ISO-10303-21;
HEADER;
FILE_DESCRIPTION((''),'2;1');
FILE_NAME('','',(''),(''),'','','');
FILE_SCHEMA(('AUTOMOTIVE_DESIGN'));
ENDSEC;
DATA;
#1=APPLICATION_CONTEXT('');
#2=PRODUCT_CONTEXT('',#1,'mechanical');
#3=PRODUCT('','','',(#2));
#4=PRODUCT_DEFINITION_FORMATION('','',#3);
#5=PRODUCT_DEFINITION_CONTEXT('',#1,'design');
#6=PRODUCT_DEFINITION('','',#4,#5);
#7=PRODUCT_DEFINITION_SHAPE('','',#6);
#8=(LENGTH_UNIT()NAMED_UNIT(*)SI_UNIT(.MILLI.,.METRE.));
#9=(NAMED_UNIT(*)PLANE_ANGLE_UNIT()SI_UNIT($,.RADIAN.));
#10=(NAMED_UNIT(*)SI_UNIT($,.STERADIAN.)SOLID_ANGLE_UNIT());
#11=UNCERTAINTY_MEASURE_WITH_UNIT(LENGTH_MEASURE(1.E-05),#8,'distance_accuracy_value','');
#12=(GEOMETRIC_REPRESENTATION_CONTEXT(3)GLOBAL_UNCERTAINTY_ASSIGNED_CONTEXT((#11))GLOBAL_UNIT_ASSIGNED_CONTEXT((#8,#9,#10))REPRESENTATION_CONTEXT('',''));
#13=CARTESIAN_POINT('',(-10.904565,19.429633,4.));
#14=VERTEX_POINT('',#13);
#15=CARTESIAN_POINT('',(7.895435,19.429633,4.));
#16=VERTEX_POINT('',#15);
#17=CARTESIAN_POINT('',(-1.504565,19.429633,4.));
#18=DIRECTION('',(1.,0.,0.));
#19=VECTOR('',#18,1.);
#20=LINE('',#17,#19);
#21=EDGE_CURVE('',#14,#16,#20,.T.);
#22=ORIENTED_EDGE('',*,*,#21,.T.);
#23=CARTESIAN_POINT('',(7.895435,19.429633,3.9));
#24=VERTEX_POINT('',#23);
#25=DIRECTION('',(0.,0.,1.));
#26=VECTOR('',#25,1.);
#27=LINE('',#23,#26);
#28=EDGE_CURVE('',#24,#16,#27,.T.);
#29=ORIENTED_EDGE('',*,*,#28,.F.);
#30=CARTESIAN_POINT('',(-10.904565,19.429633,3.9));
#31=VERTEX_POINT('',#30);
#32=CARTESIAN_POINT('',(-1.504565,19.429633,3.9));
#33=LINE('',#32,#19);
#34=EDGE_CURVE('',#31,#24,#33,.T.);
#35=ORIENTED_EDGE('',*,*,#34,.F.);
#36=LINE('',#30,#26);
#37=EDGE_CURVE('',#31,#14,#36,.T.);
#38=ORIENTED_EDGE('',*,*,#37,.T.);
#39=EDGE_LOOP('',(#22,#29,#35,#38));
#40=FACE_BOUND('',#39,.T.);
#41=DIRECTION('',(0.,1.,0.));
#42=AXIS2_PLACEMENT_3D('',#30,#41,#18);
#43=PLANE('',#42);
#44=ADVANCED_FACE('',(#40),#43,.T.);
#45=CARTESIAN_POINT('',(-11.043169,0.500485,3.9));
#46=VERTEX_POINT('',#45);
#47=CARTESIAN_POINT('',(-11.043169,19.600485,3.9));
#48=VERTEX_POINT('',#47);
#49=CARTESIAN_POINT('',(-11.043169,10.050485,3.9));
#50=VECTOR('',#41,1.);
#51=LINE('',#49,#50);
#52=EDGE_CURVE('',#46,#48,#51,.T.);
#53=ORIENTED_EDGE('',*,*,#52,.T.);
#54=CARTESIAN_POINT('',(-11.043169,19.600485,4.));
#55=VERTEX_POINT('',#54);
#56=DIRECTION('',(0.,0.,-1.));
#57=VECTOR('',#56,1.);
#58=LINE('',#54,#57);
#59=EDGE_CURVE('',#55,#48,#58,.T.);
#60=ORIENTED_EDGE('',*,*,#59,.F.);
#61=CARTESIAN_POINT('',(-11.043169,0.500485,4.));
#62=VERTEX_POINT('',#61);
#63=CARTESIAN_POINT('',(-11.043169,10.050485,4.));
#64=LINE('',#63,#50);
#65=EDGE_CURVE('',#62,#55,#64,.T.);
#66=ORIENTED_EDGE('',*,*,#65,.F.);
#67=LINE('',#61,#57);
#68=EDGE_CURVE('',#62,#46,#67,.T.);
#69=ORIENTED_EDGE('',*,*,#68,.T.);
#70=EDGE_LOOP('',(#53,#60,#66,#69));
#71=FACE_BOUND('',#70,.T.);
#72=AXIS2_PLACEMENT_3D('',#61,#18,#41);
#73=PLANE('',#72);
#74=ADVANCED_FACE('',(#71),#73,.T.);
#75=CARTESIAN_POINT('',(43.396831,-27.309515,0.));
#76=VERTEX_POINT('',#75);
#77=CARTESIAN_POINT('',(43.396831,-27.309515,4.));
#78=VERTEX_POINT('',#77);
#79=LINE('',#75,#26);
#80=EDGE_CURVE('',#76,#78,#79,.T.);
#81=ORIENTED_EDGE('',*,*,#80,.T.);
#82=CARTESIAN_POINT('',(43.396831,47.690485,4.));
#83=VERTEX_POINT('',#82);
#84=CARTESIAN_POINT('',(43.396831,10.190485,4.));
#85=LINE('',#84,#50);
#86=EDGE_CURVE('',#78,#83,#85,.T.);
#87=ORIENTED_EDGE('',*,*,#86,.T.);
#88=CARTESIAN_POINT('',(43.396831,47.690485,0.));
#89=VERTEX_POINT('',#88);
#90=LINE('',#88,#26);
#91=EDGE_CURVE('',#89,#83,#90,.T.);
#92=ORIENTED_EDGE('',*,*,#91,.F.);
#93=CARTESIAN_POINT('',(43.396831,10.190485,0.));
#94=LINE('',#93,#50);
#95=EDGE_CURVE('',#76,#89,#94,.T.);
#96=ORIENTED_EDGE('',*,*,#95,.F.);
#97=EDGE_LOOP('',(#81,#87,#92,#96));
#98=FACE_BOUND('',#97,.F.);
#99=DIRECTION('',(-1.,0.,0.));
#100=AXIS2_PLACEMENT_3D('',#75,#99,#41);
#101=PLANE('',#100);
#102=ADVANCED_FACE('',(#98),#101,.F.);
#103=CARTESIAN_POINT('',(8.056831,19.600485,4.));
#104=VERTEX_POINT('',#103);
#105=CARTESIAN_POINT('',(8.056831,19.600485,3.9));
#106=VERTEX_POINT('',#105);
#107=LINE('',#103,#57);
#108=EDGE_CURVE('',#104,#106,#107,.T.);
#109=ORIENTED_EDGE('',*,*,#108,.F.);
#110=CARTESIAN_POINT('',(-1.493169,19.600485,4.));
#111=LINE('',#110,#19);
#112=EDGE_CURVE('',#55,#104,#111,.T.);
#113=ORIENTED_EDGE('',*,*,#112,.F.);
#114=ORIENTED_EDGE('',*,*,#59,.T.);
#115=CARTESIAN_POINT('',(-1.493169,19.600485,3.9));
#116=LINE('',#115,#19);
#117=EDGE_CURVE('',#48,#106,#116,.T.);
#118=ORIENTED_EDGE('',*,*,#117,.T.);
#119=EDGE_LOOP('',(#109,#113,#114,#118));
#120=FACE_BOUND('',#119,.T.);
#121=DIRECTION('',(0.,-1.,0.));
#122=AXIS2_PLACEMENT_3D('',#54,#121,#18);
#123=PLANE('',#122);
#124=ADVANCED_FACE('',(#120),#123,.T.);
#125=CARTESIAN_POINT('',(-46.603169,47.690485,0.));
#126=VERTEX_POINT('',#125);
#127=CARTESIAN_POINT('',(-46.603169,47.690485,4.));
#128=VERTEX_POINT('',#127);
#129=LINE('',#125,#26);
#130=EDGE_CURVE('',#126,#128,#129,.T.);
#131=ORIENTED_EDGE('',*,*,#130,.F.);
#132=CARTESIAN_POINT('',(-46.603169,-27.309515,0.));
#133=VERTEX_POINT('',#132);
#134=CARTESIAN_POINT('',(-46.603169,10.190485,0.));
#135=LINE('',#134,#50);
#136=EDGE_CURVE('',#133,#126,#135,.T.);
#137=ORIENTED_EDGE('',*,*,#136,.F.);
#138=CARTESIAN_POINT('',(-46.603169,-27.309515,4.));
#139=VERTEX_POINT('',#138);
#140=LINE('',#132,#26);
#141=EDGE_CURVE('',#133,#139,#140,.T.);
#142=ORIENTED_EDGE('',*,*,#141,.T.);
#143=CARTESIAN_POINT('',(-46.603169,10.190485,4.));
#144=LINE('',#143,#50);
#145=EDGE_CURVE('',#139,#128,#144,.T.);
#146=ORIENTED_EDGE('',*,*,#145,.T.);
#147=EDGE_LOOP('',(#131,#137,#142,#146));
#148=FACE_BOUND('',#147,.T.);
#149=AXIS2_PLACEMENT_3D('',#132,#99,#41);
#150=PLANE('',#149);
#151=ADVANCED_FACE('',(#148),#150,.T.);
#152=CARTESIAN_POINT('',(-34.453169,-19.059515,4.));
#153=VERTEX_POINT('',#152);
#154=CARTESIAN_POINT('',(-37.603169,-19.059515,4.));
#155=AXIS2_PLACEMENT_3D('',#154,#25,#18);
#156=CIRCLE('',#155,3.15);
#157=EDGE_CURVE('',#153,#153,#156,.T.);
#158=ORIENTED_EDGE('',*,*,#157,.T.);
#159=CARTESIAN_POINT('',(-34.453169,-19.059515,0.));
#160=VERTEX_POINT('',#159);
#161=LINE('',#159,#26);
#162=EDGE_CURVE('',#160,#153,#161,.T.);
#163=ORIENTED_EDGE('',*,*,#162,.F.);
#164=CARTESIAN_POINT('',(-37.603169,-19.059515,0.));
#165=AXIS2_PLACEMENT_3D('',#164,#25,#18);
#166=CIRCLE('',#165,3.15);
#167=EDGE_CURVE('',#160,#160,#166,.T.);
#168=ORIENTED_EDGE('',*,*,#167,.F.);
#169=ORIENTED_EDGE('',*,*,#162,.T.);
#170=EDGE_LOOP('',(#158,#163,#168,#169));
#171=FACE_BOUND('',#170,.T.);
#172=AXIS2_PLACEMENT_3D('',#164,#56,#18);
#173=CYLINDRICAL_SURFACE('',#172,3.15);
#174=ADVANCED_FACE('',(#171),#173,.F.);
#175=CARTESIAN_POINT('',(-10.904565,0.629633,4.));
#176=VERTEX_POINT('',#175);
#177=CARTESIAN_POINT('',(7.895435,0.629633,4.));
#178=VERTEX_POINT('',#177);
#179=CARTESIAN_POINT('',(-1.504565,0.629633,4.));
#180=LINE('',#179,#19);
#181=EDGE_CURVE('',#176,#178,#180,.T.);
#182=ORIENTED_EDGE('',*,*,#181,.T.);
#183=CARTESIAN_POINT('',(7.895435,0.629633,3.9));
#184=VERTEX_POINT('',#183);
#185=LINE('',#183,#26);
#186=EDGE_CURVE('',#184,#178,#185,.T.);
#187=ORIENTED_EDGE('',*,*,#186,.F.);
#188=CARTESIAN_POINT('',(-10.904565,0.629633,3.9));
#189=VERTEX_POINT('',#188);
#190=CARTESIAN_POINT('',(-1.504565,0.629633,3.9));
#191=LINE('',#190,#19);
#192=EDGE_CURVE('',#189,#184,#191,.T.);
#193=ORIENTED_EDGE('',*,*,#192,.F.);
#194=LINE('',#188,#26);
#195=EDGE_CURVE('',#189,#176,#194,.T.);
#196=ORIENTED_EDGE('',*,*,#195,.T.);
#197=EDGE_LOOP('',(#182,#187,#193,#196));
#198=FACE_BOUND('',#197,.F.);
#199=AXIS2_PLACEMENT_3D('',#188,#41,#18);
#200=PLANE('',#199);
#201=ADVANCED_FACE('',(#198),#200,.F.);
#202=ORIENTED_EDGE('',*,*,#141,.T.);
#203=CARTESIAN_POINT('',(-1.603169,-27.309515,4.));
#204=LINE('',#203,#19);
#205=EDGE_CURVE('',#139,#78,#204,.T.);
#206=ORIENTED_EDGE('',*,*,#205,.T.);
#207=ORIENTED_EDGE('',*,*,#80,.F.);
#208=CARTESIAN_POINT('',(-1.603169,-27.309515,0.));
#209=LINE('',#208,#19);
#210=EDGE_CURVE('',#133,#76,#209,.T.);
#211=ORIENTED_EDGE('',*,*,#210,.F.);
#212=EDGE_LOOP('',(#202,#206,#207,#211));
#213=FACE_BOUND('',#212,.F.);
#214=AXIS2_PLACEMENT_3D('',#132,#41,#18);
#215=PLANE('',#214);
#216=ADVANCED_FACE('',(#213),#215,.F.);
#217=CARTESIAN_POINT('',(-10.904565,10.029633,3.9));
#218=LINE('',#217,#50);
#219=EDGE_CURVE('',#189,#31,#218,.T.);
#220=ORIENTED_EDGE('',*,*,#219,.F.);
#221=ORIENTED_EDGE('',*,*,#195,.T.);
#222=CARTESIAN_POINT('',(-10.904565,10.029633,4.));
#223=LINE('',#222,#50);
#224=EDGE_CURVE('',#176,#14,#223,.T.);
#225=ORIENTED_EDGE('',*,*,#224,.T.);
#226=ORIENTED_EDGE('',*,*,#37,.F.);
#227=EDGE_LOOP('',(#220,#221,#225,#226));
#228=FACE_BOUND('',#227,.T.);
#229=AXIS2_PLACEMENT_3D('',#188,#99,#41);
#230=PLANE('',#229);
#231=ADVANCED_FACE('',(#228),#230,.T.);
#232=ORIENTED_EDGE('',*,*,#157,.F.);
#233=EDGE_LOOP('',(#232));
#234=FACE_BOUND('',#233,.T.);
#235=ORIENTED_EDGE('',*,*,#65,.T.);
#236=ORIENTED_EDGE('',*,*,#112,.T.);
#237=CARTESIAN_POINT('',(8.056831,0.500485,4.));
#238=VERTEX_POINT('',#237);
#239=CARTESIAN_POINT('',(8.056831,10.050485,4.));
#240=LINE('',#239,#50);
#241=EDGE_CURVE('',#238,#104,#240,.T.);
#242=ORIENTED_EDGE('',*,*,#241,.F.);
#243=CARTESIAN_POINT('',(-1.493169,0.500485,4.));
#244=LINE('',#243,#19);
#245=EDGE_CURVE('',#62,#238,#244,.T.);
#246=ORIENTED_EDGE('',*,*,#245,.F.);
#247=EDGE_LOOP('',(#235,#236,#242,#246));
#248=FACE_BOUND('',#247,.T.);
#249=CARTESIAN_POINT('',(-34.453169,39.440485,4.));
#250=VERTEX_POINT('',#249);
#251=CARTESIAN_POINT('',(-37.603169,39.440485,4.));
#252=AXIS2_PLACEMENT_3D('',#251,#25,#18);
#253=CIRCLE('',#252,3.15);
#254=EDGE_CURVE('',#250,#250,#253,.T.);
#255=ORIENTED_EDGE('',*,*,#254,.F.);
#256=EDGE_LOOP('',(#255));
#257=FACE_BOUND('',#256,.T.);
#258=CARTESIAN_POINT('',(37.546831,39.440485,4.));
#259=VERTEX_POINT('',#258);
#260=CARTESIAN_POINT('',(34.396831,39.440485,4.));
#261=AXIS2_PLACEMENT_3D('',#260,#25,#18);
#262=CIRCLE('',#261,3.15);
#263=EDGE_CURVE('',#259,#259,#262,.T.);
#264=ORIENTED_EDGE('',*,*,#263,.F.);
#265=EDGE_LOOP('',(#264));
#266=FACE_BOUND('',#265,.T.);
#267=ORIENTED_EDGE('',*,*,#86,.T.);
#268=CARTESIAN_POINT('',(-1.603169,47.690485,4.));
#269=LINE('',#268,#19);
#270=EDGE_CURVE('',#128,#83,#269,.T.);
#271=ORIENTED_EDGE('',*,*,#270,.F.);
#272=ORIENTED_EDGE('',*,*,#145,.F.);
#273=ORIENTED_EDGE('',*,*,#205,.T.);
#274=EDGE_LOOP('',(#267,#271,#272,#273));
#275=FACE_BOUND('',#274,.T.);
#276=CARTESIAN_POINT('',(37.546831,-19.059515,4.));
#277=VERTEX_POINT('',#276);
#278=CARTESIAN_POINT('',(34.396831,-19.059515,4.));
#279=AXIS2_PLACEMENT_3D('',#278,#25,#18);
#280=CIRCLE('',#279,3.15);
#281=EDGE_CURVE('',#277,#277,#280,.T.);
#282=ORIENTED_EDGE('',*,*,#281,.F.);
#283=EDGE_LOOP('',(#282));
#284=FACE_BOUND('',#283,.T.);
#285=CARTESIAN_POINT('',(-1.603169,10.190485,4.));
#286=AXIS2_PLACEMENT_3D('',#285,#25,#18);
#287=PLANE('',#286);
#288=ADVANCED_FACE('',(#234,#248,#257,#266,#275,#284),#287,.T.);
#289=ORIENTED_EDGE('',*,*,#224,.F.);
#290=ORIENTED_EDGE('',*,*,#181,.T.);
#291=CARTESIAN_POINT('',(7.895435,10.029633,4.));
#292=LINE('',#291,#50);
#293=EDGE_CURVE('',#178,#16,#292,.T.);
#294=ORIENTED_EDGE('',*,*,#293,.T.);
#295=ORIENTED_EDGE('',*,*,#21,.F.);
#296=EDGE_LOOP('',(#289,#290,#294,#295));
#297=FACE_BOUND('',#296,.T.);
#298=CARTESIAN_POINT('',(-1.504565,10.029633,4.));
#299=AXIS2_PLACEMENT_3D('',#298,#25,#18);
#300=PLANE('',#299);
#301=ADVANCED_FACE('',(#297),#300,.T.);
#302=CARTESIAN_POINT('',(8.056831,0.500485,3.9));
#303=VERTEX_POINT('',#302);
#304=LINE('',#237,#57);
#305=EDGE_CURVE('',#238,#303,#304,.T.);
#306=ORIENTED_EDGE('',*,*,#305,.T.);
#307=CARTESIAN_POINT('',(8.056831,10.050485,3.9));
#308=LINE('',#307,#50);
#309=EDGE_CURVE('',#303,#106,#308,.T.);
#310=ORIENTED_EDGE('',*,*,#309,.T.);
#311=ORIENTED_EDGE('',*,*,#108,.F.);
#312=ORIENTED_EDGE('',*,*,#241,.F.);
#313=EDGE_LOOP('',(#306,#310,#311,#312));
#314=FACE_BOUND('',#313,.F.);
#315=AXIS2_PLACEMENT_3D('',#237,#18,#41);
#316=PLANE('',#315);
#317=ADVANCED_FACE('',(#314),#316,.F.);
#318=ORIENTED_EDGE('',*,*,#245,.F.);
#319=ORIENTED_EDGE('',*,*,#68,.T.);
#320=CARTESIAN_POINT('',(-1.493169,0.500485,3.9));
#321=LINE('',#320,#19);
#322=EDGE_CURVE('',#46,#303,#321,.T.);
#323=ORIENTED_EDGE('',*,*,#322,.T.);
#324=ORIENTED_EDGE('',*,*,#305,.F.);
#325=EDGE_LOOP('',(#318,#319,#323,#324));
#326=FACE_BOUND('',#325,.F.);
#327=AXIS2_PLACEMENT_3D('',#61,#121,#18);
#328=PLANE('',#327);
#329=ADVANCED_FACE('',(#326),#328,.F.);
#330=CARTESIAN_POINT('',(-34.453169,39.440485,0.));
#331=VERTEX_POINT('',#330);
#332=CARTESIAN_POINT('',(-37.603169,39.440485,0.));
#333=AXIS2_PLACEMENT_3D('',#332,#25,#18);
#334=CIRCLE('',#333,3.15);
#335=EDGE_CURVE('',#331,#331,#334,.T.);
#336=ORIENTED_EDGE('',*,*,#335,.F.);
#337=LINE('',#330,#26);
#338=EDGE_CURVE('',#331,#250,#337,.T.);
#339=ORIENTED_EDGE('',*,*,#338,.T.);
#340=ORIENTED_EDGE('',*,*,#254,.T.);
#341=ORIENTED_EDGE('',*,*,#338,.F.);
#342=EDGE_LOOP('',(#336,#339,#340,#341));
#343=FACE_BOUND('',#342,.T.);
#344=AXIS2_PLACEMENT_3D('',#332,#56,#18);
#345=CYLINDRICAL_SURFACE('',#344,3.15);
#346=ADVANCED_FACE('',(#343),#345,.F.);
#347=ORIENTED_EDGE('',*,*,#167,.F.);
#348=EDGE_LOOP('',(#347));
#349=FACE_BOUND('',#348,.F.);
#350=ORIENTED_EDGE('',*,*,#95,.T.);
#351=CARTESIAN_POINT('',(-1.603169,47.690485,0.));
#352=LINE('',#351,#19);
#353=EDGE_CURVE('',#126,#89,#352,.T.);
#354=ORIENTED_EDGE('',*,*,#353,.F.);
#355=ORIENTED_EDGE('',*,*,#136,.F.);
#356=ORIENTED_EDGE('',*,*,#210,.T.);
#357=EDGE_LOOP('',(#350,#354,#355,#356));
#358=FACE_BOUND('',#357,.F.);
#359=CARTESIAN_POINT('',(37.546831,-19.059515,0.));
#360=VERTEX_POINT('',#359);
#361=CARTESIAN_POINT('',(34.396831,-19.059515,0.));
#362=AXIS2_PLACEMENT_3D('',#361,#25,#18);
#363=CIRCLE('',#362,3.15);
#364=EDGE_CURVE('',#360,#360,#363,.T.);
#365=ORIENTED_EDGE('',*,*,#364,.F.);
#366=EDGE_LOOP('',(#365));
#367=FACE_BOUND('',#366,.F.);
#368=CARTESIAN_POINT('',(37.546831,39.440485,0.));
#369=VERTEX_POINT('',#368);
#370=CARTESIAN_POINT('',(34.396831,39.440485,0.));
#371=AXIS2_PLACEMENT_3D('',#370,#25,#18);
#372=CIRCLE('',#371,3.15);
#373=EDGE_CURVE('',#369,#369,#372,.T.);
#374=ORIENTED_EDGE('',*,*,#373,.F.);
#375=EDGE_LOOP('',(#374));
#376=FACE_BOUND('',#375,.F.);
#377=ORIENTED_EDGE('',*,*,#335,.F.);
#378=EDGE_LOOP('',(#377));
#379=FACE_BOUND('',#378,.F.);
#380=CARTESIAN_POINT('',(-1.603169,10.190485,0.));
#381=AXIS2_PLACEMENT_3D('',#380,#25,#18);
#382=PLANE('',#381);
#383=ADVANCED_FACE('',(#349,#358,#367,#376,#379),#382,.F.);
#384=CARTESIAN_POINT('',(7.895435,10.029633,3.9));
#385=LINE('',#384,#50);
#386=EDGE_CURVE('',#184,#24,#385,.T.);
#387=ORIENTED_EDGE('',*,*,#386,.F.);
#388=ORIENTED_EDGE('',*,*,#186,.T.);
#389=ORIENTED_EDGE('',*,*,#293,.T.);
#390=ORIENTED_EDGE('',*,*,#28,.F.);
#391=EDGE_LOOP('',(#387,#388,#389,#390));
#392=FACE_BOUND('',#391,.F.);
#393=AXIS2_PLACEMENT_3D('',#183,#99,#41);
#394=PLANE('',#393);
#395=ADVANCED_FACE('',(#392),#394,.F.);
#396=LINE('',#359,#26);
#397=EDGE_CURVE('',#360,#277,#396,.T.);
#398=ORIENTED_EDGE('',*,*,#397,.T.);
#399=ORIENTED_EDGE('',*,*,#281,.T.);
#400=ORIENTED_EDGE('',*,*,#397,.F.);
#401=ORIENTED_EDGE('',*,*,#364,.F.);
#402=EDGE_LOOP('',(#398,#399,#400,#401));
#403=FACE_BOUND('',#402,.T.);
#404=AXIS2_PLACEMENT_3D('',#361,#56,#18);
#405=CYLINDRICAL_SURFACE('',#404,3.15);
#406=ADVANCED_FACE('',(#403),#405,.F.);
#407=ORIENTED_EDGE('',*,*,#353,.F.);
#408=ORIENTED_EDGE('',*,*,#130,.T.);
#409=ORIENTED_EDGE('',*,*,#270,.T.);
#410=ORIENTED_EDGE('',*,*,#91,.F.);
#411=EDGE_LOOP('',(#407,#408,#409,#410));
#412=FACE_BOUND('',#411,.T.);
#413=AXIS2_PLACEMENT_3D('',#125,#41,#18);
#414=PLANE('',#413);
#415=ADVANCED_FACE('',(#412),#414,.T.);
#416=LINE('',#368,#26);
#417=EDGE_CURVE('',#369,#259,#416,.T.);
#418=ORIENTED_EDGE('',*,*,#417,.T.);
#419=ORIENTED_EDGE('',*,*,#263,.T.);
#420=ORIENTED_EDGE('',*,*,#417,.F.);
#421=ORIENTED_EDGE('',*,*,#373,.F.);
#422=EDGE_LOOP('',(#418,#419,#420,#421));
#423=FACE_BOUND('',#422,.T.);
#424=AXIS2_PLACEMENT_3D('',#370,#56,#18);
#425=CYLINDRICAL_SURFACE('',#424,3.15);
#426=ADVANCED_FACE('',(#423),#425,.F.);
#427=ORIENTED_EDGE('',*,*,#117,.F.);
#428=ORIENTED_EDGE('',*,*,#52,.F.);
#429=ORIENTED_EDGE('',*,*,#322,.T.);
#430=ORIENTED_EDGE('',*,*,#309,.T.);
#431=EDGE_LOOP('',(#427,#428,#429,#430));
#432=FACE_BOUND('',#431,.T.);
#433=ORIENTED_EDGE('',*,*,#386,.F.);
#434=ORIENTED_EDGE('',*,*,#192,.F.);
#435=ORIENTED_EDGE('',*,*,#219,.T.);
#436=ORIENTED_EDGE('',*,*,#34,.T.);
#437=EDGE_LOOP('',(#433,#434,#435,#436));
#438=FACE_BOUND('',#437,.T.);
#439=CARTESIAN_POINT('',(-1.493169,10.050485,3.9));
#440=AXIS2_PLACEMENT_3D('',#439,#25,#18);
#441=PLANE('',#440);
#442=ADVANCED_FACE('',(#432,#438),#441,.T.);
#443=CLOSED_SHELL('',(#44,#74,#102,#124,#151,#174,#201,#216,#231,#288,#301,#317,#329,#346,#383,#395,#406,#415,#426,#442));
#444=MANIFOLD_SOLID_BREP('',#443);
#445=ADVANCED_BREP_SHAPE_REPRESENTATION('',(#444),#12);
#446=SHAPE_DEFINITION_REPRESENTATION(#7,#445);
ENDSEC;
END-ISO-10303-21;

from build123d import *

# Parameters (mm, degrees)
F1_W     = 90
F1_H     = 75
F1_R     = 3.15
F2_DEPTH = 4
F3_W     = 19.1
F3_H     = 19.1
F4_W     = 19
F4_H     = 19
F4_W_2   = 19.1
F4_H_2   = 19.1
F5_DEPTH = 0.1
F6_W     = 18.8
F6_H     = 18.8
F7_DEPTH = 0.1


with BuildPart() as f2:
    # F1 (on face) → F2 (new body)
    with BuildSketch(Plane.XY):
        with Locations((-1.603169, 10.190485)):
            Rectangle(F1_W, F1_H)
        with Locations((-37.603169, -19.059515)):
            Circle(F1_R, mode=Mode.SUBTRACT)
        with Locations((34.396831, -19.059515)):
            Circle(F1_R, mode=Mode.SUBTRACT)
        with Locations((-37.603169, 39.440485)):
            Circle(F1_R, mode=Mode.SUBTRACT)
        with Locations((34.396831, 39.440485)):
            Circle(F1_R, mode=Mode.SUBTRACT)
    extrude(amount=F2_DEPTH)

    # F3 (on face) + F4 (on face) → F5 (cut)
    with BuildSketch(Plane.XY.offset(4)):
        with Locations((-1.493169, 10.050485)):
            Rectangle(F3_W, F3_H)
    with BuildSketch(Plane.XY.offset(4)):
        with Locations((-1.496693, 10.04078)):
            Rectangle(F4_W, F4_H)
        with Locations((-1.493169, 10.050485)):
            Rectangle(F4_W_2, F4_H_2)
        with Locations((-1.496693, 10.04078)):
            Rectangle(F4_W, F4_H, mode=Mode.SUBTRACT)
    extrude(amount=-F5_DEPTH, mode=Mode.SUBTRACT)

    # F6 (on face) → F7 (join)
    with BuildSketch(Plane.XY.offset(3.9)):
        with Locations((-1.504565, 10.029633)):
            Rectangle(F6_W, F6_H)
    extrude(amount=F7_DEPTH)


solid = f2.part
